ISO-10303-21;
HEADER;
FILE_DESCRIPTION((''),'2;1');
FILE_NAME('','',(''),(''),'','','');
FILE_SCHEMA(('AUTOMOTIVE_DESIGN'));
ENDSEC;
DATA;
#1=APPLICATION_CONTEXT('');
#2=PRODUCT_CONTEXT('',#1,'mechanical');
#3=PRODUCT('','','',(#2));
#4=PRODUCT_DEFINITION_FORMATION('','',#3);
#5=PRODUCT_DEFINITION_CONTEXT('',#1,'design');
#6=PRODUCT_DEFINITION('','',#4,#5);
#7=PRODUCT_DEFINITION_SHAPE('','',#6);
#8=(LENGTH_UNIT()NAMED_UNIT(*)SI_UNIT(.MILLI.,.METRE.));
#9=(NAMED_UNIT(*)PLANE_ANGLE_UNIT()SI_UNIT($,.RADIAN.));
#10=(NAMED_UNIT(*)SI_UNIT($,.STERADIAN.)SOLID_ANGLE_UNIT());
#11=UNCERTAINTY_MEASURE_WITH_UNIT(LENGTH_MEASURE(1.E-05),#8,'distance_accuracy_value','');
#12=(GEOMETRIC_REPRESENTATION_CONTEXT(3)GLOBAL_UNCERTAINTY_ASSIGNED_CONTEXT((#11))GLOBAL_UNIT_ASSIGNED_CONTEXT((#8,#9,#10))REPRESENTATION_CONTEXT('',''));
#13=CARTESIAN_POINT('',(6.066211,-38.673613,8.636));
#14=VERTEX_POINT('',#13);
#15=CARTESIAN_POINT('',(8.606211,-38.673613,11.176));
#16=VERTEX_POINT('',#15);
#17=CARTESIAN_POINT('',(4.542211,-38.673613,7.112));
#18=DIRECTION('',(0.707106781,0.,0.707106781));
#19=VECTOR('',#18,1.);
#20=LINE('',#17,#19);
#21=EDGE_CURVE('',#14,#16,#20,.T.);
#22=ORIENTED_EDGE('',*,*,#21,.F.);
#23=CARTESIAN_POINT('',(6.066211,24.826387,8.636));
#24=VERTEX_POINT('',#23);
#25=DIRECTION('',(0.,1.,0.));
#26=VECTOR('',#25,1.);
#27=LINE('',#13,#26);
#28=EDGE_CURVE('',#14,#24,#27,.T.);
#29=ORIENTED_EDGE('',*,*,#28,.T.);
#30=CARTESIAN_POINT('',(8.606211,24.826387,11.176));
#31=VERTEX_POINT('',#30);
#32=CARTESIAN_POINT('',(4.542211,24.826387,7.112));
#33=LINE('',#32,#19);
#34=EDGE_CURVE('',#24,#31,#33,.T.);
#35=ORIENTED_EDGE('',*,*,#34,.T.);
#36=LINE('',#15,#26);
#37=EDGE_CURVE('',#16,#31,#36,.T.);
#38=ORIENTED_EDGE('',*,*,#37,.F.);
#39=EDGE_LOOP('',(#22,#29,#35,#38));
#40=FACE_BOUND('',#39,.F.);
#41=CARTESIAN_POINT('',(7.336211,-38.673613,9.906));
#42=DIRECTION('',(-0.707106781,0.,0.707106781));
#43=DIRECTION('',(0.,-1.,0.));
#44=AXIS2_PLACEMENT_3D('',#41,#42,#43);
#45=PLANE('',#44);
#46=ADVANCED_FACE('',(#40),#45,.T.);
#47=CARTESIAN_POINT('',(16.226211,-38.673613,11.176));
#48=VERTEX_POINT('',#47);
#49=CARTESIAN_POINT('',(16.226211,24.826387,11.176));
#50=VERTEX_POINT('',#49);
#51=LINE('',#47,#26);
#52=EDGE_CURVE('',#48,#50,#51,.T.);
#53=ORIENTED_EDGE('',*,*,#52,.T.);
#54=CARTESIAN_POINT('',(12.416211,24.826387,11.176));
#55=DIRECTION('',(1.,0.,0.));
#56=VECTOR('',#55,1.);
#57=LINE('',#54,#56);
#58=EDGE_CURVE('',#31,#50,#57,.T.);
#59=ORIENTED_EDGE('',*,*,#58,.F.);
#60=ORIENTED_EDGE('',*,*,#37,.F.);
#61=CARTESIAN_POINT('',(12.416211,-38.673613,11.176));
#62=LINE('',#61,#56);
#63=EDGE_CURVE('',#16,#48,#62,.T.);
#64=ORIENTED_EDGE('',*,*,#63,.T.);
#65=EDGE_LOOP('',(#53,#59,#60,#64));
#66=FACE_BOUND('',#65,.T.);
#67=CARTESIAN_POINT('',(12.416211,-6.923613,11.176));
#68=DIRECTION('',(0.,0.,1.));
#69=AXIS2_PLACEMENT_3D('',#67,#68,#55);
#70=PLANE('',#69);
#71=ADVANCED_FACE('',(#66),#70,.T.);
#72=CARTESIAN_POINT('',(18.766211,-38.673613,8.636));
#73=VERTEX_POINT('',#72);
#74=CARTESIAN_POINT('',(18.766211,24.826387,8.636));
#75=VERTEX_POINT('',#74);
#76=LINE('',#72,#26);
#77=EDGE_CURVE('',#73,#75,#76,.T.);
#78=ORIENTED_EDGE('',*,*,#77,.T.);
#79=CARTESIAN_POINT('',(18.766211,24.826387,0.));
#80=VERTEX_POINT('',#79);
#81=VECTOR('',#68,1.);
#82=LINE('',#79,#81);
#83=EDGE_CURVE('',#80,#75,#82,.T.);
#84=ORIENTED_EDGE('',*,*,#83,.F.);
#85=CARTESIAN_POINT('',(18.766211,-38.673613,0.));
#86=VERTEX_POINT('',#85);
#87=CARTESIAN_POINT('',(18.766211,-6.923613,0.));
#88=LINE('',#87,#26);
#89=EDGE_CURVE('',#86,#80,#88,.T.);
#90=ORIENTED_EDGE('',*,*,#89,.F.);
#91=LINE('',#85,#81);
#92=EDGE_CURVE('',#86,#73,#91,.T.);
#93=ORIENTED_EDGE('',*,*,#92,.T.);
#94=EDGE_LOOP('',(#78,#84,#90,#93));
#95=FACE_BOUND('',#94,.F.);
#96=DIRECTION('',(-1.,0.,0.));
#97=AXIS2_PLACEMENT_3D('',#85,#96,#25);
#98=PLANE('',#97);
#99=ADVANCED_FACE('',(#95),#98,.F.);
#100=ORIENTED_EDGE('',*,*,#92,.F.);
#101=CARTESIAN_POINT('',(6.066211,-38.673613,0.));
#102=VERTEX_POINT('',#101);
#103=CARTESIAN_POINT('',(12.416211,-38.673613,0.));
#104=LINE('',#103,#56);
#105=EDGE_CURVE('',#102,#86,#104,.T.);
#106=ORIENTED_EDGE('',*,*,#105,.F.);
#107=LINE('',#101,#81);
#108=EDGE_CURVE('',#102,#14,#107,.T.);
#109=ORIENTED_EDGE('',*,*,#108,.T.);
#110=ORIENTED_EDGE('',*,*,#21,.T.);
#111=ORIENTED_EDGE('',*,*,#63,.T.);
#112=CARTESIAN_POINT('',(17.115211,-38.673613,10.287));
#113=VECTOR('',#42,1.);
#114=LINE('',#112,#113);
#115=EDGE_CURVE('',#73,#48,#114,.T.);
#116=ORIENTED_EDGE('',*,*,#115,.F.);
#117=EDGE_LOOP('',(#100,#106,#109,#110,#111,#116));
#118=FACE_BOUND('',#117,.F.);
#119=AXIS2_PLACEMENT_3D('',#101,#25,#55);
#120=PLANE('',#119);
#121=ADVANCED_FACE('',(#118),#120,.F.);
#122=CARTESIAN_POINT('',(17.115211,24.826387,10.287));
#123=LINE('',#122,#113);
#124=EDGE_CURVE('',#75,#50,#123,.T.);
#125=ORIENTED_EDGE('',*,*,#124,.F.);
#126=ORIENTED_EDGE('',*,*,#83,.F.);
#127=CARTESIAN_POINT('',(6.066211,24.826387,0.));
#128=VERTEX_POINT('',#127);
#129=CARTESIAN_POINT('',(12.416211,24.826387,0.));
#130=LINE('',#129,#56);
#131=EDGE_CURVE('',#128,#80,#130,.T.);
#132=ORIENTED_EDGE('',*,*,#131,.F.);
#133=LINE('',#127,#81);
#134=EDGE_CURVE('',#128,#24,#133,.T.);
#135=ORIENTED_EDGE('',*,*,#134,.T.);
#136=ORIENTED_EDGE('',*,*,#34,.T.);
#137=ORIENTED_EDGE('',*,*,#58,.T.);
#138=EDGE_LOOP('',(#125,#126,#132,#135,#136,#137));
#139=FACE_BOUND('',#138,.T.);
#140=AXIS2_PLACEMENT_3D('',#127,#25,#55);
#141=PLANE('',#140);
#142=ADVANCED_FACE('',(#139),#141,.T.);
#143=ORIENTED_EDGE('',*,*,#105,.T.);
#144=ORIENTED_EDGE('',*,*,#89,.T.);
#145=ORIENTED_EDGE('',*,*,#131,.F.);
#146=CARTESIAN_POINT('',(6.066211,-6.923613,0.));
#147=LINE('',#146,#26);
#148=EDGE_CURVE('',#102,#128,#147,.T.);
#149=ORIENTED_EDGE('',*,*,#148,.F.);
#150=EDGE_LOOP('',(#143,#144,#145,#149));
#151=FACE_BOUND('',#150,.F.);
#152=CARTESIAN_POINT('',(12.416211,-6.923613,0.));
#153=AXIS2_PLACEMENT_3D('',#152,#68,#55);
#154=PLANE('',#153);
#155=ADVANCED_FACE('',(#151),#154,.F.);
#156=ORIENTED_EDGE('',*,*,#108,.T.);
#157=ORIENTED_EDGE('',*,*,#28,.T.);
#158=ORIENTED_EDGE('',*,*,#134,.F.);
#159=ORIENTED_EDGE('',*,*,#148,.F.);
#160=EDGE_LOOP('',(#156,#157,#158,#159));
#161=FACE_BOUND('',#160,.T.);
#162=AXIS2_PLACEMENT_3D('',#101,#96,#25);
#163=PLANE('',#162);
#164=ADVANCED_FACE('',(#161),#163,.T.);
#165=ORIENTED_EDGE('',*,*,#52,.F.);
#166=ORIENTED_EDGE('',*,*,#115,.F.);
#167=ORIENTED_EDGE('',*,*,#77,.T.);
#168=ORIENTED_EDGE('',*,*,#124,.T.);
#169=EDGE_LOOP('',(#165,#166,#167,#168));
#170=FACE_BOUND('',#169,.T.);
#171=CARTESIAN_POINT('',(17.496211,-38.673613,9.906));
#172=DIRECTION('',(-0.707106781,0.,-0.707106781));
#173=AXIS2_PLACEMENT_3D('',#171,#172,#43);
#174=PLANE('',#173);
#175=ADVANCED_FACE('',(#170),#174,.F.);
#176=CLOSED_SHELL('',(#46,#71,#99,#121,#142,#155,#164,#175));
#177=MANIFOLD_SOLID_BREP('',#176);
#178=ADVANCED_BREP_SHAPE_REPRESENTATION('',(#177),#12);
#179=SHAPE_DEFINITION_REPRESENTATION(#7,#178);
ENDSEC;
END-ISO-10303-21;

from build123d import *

# Parameters (mm, degrees)
F0_W     = 12.7
F0_H     = 63.5
F1_DEPTH = 11.176
F2_SIZE  = 2.54


with BuildPart() as f1:
    # F0 (on Top) → F1 (new body)
    with BuildSketch(Plane.XY):
        with Locations((12.416211, -6.923613)):
            Rectangle(F0_W, F0_H)
    extrude(amount=F1_DEPTH)

    # F2
    f2_edges = [f1.edges().sort_by_distance(p)[0] for p in [
        (6.066211, -6.923613, 11.176),
        (18.766211, -6.923613, 11.176),
    ]]
    chamfer(f2_edges, length=F2_SIZE)


solid = f1.part
